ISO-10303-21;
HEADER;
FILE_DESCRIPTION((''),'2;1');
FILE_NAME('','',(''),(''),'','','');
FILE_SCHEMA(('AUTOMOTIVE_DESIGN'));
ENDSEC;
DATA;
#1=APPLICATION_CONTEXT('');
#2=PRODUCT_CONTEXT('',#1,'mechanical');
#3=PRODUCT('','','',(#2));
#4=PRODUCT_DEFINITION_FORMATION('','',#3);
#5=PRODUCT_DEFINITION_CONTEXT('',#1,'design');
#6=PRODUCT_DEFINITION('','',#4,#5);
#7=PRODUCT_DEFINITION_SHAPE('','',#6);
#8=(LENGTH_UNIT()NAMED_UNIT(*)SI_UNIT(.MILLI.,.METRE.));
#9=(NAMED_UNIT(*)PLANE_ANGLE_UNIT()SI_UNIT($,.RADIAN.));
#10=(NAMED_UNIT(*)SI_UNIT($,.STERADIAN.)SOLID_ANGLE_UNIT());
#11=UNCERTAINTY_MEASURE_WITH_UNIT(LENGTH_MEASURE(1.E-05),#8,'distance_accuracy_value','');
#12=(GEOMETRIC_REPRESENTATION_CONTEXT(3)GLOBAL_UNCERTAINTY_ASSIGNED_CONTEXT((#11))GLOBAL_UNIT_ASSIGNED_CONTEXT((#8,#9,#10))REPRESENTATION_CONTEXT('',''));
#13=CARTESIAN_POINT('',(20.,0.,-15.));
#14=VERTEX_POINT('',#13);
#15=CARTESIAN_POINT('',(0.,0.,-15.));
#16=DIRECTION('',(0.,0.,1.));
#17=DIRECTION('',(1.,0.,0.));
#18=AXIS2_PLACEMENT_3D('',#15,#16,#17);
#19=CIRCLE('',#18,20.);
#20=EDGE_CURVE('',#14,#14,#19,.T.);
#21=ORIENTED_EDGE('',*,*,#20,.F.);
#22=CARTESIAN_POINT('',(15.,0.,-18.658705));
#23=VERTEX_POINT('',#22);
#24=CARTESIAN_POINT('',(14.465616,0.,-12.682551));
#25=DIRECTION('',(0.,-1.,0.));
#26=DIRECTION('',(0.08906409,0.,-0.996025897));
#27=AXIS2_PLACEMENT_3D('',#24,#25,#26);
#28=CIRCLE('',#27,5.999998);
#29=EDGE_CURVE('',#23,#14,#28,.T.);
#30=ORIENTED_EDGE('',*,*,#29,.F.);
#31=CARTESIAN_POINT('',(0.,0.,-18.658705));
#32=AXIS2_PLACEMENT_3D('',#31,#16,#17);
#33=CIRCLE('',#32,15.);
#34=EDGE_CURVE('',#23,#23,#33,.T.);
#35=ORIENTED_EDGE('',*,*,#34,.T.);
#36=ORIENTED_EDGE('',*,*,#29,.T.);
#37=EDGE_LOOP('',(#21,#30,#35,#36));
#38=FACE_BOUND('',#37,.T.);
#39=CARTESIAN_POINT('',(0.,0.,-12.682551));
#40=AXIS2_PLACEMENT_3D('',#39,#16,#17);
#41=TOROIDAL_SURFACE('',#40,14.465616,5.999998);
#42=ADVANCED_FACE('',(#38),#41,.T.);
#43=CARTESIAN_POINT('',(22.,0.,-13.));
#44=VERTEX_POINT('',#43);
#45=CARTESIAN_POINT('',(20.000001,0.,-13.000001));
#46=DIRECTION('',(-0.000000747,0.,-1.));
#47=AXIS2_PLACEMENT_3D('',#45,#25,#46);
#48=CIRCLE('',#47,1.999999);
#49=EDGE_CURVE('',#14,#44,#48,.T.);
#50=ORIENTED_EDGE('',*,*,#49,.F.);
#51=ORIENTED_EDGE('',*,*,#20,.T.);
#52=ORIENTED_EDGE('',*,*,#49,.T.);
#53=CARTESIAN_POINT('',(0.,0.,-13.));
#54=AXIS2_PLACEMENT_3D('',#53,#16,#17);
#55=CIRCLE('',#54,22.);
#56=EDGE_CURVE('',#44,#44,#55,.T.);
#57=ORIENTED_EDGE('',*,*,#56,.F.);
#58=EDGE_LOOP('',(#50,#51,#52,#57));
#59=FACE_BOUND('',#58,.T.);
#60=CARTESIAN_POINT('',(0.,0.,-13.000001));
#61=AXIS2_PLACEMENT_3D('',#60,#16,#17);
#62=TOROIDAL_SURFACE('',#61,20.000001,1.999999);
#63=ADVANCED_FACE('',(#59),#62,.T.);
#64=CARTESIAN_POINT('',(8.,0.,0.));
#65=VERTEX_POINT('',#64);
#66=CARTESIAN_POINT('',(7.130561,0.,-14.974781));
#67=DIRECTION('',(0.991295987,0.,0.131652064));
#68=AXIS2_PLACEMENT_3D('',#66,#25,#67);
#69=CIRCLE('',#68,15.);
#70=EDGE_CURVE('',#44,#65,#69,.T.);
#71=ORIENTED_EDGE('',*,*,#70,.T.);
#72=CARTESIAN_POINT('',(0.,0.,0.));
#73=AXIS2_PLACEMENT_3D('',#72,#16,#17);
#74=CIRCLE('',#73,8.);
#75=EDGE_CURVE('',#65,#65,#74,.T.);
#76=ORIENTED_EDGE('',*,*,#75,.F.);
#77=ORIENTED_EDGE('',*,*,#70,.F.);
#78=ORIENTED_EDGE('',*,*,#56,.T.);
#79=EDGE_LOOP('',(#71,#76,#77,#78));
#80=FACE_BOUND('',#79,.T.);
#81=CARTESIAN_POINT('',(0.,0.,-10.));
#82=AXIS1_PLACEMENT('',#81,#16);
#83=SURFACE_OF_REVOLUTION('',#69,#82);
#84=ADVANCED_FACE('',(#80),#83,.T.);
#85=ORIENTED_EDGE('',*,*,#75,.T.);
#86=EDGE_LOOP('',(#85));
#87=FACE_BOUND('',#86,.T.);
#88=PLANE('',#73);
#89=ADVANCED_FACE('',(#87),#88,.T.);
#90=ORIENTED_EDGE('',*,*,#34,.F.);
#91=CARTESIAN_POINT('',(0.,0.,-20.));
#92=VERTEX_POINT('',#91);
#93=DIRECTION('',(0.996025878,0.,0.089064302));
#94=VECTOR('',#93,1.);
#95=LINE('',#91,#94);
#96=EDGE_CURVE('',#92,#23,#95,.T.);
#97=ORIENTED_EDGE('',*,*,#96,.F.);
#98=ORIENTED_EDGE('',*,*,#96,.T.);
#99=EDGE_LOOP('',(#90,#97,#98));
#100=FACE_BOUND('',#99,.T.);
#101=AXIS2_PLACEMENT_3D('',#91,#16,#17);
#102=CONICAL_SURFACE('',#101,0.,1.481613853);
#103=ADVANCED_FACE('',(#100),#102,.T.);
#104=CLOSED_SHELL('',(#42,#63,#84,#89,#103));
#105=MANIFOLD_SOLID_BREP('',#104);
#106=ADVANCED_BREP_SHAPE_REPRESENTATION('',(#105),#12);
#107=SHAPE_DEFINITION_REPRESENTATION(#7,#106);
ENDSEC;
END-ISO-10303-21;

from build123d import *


with BuildPart() as f1:
    # F0 (on Front) → F1 (revolve)
    with BuildSketch(Plane.XZ):
        with BuildLine():
            Line((8, 0), (0, 0))
            Line((0, 0), (0, -20))
            Line((0, -20), (15, -18.658705))
            ThreePointArc((15, -18.658705), (18.008781, -17.524654), (20, -15))
            ThreePointArc((20, -15), (21.414214, -14.414214), (22, -13))
            ThreePointArc((22, -13), (17.337327, -3.982879), (8, 0))
        make_face()
    revolve(axis=Axis((0, 0, -10), (0, 0, 1)))


solid = f1.part
